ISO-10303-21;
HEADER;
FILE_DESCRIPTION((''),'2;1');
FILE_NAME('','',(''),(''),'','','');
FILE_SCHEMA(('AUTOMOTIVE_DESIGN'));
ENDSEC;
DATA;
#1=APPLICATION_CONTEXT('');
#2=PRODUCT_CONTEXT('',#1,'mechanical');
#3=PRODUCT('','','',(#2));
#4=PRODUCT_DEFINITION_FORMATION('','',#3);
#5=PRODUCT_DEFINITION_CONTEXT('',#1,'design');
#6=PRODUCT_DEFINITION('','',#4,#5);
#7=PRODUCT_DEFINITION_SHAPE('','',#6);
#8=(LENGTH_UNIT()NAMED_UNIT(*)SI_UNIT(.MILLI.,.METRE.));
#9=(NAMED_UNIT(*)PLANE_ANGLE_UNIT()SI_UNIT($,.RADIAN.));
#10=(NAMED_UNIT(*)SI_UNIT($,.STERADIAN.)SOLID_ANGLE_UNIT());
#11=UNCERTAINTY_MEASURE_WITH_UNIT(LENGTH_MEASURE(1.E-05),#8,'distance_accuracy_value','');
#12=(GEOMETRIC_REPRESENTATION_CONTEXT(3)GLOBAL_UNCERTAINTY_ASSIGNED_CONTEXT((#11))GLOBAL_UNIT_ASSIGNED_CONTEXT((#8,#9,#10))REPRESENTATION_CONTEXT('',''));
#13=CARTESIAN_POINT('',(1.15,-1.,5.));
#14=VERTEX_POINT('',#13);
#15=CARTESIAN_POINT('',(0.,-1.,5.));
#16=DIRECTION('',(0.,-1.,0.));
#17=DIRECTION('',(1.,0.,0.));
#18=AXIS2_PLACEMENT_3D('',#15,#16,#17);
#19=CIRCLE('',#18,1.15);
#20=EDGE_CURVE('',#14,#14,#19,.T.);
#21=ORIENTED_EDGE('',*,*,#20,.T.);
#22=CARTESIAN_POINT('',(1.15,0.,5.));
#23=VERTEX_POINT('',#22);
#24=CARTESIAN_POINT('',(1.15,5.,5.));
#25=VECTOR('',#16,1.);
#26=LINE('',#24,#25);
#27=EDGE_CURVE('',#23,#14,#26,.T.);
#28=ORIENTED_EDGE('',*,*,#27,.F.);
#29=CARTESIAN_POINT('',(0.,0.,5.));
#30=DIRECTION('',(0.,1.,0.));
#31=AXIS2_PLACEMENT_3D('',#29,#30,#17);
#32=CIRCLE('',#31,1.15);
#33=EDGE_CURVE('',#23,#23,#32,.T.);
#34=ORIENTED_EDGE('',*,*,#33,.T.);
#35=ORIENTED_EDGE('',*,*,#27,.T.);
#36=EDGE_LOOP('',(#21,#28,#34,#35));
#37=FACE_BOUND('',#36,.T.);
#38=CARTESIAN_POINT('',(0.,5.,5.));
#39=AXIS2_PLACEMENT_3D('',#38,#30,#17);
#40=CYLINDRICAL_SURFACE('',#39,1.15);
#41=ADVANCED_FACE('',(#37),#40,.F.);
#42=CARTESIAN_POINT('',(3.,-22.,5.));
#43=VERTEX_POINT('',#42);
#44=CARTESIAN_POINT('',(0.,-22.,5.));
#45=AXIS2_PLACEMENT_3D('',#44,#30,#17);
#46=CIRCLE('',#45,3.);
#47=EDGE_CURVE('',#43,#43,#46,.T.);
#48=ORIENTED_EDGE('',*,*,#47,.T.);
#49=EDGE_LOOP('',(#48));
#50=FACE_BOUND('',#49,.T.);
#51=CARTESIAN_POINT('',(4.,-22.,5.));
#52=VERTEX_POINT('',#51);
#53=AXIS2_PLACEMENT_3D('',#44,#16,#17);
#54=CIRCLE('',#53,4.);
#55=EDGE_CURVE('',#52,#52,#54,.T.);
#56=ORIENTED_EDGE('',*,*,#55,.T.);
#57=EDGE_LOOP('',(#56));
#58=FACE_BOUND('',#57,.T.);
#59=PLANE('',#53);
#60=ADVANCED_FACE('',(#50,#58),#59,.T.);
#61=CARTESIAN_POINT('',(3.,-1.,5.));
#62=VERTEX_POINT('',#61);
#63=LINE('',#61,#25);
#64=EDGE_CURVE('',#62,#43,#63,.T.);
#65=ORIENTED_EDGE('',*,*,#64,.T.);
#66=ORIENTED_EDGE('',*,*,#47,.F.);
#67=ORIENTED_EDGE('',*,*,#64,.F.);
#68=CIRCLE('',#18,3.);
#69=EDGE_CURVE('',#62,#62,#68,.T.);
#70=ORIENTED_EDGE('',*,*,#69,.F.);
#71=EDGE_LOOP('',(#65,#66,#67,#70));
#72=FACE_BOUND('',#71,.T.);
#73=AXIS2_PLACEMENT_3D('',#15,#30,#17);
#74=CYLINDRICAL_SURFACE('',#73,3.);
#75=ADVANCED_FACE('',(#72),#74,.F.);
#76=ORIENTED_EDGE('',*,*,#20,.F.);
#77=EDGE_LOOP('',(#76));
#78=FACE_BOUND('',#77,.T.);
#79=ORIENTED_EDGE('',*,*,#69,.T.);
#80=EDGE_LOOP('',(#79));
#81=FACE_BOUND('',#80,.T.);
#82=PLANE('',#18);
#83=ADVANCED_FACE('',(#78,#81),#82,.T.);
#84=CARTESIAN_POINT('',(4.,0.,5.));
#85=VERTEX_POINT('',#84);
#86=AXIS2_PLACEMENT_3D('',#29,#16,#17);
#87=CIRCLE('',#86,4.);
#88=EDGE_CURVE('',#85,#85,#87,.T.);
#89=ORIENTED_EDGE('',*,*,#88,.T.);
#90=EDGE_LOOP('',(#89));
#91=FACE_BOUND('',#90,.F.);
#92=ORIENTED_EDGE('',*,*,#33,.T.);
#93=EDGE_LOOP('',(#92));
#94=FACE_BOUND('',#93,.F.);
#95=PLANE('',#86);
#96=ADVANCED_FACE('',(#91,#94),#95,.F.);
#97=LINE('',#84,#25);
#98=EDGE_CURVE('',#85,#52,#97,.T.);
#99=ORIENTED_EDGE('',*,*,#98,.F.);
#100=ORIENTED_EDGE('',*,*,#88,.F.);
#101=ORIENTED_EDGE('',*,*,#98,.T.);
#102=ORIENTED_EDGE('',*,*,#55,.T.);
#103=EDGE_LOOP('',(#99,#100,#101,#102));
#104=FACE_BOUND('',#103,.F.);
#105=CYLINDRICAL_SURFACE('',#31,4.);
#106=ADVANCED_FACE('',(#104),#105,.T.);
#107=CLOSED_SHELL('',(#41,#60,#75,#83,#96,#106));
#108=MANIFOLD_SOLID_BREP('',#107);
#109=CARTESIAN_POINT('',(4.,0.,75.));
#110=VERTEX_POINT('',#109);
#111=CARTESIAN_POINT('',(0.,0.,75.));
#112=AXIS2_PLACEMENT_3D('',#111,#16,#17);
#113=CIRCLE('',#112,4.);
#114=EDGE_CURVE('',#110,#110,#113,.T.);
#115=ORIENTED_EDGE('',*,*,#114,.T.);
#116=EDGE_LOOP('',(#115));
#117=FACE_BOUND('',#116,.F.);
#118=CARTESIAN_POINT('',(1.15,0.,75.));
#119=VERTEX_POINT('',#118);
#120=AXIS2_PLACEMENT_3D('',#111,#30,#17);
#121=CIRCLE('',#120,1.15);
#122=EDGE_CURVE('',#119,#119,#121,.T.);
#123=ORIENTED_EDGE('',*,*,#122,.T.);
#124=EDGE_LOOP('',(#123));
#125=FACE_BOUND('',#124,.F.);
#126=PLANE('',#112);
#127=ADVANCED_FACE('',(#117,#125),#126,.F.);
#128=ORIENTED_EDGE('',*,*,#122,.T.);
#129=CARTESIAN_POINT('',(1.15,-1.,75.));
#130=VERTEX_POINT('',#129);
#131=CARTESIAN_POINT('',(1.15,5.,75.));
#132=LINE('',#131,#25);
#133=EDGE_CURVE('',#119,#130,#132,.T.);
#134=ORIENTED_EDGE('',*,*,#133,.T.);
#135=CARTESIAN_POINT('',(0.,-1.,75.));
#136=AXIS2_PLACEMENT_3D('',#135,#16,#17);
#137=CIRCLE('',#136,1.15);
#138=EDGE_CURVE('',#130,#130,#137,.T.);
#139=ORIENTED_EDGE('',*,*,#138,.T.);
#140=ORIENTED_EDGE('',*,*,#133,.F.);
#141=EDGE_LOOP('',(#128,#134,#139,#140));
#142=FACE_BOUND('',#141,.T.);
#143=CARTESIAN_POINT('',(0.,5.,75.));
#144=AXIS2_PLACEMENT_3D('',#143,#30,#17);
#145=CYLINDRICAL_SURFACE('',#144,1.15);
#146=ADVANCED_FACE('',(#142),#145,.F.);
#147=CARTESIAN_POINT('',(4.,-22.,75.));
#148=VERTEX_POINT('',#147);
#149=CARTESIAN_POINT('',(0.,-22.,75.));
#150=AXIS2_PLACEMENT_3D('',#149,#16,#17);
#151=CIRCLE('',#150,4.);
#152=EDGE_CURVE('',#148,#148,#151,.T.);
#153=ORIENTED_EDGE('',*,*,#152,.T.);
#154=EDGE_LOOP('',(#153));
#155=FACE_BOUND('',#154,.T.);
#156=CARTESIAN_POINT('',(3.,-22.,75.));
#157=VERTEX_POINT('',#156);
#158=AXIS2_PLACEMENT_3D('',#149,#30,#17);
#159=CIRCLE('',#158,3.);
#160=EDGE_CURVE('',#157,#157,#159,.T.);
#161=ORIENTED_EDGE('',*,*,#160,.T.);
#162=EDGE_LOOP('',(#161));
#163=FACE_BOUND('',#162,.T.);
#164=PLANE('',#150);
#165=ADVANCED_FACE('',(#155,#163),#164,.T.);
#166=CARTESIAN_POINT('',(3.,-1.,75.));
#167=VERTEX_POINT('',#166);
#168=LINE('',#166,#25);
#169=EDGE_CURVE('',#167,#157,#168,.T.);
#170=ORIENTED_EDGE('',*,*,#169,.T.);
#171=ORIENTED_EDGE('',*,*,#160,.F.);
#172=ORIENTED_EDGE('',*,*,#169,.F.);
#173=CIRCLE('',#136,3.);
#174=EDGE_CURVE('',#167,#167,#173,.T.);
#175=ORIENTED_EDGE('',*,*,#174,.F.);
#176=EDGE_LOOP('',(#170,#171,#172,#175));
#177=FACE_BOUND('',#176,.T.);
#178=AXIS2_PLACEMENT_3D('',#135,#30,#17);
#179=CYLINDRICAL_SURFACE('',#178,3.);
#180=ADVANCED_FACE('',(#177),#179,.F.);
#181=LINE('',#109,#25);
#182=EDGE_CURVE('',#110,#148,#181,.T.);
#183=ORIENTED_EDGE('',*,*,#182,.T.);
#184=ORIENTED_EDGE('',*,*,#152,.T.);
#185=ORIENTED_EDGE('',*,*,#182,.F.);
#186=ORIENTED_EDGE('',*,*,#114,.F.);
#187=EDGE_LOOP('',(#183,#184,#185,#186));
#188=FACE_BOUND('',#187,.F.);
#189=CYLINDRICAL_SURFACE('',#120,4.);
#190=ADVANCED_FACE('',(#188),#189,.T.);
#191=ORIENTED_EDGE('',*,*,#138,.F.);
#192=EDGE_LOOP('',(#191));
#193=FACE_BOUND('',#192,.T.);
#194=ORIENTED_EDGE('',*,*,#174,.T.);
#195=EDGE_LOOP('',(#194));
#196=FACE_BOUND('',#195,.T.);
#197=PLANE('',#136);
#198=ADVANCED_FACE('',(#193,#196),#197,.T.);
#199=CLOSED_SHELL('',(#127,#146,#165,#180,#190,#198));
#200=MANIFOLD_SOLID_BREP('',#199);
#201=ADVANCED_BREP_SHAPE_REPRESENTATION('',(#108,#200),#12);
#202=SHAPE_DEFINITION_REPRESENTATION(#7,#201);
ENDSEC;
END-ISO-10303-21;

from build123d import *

# Parameters (mm, degrees)
CYLINDER014_R          = 3
CYLINDER014_DEPTH      = 22
CYLINDER014_ROLL_ANGLE = 90
CYLINDER012_R          = 1.15
CYLINDER012_DEPTH      = 6
CYLINDER012_ROLL_ANGLE = 90
CYLINDER011_R          = 4
CYLINDER011_DEPTH      = 22
CYLINDER011_ROLL_ANGLE = 90
CYLINDER_R             = 3
CYLINDER_DEPTH         = 22
CYLINDER_ROLL_ANGLE    = 90
CYLINDER013_R          = 1.15
CYLINDER013_DEPTH      = 6
CYLINDER013_ROLL_ANGLE = 90
CYLINDER010_R          = 4
CYLINDER010_DEPTH      = 22
CYLINDER010_ROLL_ANGLE = 90


with BuildPart() as cylinder014:
    # Cylinder014 → Cylinder014 (new body)
    with BuildSketch(Plane.XY):
        Circle(CYLINDER014_R)
    extrude(amount=CYLINDER014_DEPTH)


with BuildPart() as cylinder014_1:
    # Cylinder014 roll: moved
    add(cylinder014.part.rotate(Axis((0, 0, 0), (1, 0, 0)), CYLINDER014_ROLL_ANGLE))


with BuildPart() as cylinder014_2:
    # Cylinder014 placement: moved
    add(cylinder014_1.part.moved(Location((0, -1, 5))))


with BuildPart() as fusion004:
    # Cylinder012 → Cylinder012 (new body)
    with BuildSketch(Plane.XY):
        Circle(CYLINDER012_R)
    extrude(amount=CYLINDER012_DEPTH)


with BuildPart() as fusion004_1:
    # Cylinder012 roll: moved
    add(fusion004.part.rotate(Axis((0, 0, 0), (1, 0, 0)), CYLINDER012_ROLL_ANGLE))


with BuildPart() as fusion004_2:
    # Cylinder012 placement: moved
    add(fusion004_1.part.moved(Location((0, 5, 5))))

    # Fusion004: union Cylinder014
    add(cylinder014_2.part)


with BuildPart() as cut001:
    # Cylinder011 → Cylinder011 (new body)
    with BuildSketch(Plane.XY):
        Circle(CYLINDER011_R)
    extrude(amount=CYLINDER011_DEPTH)


with BuildPart() as cut001_1:
    # Cylinder011 roll: moved
    add(cut001.part.rotate(Axis((0, 0, 0), (1, 0, 0)), CYLINDER011_ROLL_ANGLE))


with BuildPart() as cut001_2:
    # Cylinder011 placement: moved
    add(cut001_1.part.moved(Location((0, 0, 5))))

    # Cut001: cut Fusion004
    add(fusion004_2.part, mode=Mode.SUBTRACT)


with BuildPart() as cylinder:
    # Cylinder → Cylinder (new body)
    with BuildSketch(Plane.XY):
        Circle(CYLINDER_R)
    extrude(amount=CYLINDER_DEPTH)


with BuildPart() as cylinder_1:
    # Cylinder roll: moved
    add(cylinder.part.rotate(Axis((0, 0, 0), (1, 0, 0)), CYLINDER_ROLL_ANGLE))


with BuildPart() as cylinder_2:
    # Cylinder placement: moved
    add(cylinder_1.part.moved(Location((0, -1, 75))))


with BuildPart() as fusion:
    # Cylinder013 → Cylinder013 (new body)
    with BuildSketch(Plane.XY):
        Circle(CYLINDER013_R)
    extrude(amount=CYLINDER013_DEPTH)


with BuildPart() as fusion_1:
    # Cylinder013 roll: moved
    add(fusion.part.rotate(Axis((0, 0, 0), (1, 0, 0)), CYLINDER013_ROLL_ANGLE))


with BuildPart() as fusion_2:
    # Cylinder013 placement: moved
    add(fusion_1.part.moved(Location((0, 5, 75))))

    # Fusion: union Cylinder
    add(cylinder_2.part)


with BuildPart() as fusion005:
    # Cylinder010 → Cylinder010 (new body)
    with BuildSketch(Plane.XY):
        Circle(CYLINDER010_R)
    extrude(amount=CYLINDER010_DEPTH)


with BuildPart() as fusion005_1:
    # Cylinder010 roll: moved
    add(fusion005.part.rotate(Axis((0, 0, 0), (1, 0, 0)), CYLINDER010_ROLL_ANGLE))


with BuildPart() as fusion005_2:
    # Cylinder010 placement: moved
    add(fusion005_1.part.moved(Location((0, 0, 75))))

    # Cut002: cut Fusion
    add(fusion_2.part, mode=Mode.SUBTRACT)

    # Fusion005: union Cut001
    add(cut001_2.part)


solid = fusion005_2.part
